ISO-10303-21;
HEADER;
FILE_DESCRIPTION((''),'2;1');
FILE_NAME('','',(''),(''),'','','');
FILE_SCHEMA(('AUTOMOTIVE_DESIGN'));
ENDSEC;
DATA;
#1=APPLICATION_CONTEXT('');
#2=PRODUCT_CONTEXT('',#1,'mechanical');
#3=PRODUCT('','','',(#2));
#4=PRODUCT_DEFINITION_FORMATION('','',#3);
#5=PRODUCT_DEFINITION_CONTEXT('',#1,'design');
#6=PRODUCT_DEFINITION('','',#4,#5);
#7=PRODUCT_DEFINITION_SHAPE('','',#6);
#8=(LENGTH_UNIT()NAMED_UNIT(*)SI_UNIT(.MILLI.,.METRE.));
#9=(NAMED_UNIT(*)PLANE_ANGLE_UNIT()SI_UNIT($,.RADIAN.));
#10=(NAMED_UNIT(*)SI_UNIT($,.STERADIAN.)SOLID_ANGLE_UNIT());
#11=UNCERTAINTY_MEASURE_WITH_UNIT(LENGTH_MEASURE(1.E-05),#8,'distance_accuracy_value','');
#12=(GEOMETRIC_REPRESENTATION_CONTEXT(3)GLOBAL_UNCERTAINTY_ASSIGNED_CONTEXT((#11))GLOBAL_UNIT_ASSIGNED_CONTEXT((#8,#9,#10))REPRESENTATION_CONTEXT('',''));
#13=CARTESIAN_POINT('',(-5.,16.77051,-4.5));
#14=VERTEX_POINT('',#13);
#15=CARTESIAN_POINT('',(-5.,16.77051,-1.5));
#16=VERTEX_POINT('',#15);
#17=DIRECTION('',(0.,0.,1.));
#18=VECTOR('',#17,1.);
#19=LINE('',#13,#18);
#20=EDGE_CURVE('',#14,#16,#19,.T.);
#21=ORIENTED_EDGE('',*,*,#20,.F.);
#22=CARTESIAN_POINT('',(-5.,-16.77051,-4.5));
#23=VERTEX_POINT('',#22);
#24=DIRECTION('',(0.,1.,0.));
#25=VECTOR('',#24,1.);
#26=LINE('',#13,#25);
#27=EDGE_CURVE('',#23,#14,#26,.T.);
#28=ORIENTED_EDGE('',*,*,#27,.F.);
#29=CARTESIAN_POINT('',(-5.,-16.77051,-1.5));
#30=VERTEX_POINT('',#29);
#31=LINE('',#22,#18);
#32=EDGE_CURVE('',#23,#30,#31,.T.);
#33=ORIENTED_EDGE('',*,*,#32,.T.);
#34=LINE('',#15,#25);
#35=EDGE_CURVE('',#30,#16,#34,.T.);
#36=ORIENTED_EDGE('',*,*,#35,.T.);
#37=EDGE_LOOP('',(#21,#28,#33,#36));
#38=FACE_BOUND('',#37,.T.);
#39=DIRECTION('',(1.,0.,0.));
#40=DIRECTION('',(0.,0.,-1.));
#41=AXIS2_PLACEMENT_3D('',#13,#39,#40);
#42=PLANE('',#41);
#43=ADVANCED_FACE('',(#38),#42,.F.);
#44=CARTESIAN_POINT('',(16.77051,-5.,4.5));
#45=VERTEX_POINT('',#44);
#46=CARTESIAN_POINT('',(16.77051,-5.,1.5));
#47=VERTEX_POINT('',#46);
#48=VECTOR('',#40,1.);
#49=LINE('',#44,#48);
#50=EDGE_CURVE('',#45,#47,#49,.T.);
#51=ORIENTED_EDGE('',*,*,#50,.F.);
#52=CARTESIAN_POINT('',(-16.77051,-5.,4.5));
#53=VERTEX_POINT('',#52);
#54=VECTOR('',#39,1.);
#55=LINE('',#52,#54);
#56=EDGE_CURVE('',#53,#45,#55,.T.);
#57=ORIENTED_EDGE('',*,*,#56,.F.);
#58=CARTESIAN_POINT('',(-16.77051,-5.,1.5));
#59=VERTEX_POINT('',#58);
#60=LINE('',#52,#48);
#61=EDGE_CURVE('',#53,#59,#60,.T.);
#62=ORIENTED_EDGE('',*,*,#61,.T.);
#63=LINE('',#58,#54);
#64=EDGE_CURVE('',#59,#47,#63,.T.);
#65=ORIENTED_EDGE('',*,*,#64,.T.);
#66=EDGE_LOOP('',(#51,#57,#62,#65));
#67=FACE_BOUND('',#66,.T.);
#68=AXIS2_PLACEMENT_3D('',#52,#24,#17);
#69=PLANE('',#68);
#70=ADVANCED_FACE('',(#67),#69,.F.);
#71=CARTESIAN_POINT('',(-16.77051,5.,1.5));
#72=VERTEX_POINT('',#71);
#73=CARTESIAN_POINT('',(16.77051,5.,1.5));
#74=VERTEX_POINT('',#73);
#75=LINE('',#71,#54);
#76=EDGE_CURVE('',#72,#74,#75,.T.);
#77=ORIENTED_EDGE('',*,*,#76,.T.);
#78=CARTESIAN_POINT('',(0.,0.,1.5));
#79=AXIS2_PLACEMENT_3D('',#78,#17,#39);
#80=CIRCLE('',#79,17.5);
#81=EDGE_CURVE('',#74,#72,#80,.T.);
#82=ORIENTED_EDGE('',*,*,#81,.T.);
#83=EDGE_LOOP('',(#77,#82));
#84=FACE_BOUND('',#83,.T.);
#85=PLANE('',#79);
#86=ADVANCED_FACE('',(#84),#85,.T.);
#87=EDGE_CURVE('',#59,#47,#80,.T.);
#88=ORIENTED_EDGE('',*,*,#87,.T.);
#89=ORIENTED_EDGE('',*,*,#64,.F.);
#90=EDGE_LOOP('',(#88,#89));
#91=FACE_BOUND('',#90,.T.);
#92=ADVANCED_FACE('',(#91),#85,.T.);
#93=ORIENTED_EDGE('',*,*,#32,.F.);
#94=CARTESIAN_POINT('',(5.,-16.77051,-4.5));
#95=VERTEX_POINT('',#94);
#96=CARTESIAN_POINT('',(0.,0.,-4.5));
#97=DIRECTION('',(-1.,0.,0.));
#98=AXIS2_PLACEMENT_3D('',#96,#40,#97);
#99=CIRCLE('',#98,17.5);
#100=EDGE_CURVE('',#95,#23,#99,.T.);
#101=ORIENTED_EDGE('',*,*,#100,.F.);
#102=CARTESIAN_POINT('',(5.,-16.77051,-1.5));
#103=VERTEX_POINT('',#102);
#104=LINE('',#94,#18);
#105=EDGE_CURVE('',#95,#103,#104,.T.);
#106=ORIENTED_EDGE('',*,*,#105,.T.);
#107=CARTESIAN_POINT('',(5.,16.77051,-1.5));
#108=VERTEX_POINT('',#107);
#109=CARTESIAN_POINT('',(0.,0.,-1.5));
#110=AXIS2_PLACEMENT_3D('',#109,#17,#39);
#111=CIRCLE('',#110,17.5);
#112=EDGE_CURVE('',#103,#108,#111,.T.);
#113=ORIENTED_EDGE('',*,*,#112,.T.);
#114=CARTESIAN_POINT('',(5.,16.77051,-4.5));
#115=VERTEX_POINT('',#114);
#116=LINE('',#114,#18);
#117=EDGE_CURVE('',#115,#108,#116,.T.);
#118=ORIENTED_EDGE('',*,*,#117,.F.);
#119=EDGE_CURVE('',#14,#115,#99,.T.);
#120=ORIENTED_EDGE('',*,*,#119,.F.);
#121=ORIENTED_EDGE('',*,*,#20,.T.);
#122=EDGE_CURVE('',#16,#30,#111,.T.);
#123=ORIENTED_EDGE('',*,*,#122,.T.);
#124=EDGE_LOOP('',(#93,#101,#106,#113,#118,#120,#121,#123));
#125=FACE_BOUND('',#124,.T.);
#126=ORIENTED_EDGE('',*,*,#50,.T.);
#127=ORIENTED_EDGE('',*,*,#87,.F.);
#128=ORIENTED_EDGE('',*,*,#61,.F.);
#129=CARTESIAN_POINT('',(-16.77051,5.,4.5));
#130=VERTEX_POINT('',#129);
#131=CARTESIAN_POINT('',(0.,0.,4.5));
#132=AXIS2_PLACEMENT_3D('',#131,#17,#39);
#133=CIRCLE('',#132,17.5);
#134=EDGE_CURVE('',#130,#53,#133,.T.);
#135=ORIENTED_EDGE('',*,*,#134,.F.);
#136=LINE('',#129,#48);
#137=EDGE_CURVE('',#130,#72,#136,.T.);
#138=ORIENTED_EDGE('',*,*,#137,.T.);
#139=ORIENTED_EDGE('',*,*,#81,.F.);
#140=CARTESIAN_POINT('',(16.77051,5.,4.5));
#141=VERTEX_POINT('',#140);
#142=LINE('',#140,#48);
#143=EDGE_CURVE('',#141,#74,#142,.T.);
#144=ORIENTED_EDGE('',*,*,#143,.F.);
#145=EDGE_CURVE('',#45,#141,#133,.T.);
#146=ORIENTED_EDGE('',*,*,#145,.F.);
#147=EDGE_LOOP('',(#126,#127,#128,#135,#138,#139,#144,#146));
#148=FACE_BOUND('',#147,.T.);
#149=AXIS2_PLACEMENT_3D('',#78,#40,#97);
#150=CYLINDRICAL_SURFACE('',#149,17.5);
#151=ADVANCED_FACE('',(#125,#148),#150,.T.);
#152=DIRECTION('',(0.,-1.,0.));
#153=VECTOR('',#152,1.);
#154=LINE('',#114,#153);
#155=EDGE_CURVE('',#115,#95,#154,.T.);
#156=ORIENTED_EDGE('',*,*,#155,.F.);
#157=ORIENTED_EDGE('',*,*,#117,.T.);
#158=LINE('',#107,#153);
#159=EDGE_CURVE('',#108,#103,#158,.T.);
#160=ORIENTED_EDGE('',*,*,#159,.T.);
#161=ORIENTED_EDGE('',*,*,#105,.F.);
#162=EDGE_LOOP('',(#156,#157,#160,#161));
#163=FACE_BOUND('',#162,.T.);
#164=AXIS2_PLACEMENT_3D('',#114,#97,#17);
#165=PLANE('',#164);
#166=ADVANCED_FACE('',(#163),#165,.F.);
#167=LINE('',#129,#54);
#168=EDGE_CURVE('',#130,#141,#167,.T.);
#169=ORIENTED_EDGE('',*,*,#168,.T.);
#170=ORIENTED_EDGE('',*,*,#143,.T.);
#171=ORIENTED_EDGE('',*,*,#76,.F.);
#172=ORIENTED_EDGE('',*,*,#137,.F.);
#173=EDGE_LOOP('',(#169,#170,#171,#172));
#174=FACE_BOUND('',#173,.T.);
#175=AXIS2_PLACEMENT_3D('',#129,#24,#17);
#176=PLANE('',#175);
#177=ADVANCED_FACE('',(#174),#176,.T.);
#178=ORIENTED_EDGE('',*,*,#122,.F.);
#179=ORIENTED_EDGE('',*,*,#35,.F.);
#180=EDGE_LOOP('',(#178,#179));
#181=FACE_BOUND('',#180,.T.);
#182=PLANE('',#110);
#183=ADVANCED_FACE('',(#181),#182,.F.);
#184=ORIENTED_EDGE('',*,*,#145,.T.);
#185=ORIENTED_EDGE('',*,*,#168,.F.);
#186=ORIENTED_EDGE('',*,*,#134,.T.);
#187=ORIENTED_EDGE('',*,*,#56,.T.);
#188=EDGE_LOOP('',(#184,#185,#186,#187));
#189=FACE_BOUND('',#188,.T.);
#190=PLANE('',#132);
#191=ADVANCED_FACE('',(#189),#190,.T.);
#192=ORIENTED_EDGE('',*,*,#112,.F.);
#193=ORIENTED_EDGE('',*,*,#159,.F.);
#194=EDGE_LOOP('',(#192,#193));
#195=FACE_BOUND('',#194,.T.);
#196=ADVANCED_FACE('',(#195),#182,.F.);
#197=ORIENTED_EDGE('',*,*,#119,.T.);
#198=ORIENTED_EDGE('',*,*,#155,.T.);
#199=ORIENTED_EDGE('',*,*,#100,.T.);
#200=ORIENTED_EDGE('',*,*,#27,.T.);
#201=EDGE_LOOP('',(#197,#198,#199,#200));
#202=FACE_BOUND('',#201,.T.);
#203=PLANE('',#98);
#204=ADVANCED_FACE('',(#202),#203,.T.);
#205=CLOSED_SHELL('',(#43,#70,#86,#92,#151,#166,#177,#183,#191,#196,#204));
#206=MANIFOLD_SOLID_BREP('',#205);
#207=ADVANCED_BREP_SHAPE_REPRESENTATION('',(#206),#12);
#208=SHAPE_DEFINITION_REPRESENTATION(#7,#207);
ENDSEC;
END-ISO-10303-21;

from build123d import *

# Parameters (mm, degrees)
SKETCH1_R           = 17.5
BOSS_EXTRUDE1_DEPTH = 1.5
BOSS_EXTRUDE2_START = 3
BOSS_EXTRUDE2_DEPTH = 3
BOSS_EXTRUDE3_DEPTH = 3


with BuildPart() as part:
    # Sketch1 → Boss-Extrude1 (new, symmetric)
    with BuildSketch(Plane.XY):
        Circle(SKETCH1_R)
    extrude(amount=BOSS_EXTRUDE1_DEPTH, both=True)

    # Sketch2 → Boss-Extrude2 (add)
    with BuildSketch(Plane.XY.offset(1.5).offset(BOSS_EXTRUDE2_START)):
        with BuildLine():
            Line((-16.770509831, -5), (16.770509831, -5))
            ThreePointArc((16.770509831, -5), (17.5, 0), (16.770509831, 5))
            Line((16.770509831, 5), (-16.770509831, 5))
            ThreePointArc((-16.770509831, 5), (-17.5, 0), (-16.770509831, -5))
        make_face()
    extrude(amount=-BOSS_EXTRUDE2_DEPTH)

    # Sketch3 → Boss-Extrude3 (add)
    with BuildSketch(Plane(origin=(0, 0, -1.5), x_dir=(-1, 0, 0), z_dir=(0, 0, -1))):
        with BuildLine():
            Line((-5, 16.770509831), (-5, -16.770509831))
            ThreePointArc((-5, -16.770509831), (0, -17.5), (5, -16.770509831))
            Line((5, -16.770509831), (5, 16.770509831))
            ThreePointArc((5, 16.770509831), (0, 17.5), (-5, 16.770509831))
        make_face()
    extrude(amount=BOSS_EXTRUDE3_DEPTH)


solid = part.part
